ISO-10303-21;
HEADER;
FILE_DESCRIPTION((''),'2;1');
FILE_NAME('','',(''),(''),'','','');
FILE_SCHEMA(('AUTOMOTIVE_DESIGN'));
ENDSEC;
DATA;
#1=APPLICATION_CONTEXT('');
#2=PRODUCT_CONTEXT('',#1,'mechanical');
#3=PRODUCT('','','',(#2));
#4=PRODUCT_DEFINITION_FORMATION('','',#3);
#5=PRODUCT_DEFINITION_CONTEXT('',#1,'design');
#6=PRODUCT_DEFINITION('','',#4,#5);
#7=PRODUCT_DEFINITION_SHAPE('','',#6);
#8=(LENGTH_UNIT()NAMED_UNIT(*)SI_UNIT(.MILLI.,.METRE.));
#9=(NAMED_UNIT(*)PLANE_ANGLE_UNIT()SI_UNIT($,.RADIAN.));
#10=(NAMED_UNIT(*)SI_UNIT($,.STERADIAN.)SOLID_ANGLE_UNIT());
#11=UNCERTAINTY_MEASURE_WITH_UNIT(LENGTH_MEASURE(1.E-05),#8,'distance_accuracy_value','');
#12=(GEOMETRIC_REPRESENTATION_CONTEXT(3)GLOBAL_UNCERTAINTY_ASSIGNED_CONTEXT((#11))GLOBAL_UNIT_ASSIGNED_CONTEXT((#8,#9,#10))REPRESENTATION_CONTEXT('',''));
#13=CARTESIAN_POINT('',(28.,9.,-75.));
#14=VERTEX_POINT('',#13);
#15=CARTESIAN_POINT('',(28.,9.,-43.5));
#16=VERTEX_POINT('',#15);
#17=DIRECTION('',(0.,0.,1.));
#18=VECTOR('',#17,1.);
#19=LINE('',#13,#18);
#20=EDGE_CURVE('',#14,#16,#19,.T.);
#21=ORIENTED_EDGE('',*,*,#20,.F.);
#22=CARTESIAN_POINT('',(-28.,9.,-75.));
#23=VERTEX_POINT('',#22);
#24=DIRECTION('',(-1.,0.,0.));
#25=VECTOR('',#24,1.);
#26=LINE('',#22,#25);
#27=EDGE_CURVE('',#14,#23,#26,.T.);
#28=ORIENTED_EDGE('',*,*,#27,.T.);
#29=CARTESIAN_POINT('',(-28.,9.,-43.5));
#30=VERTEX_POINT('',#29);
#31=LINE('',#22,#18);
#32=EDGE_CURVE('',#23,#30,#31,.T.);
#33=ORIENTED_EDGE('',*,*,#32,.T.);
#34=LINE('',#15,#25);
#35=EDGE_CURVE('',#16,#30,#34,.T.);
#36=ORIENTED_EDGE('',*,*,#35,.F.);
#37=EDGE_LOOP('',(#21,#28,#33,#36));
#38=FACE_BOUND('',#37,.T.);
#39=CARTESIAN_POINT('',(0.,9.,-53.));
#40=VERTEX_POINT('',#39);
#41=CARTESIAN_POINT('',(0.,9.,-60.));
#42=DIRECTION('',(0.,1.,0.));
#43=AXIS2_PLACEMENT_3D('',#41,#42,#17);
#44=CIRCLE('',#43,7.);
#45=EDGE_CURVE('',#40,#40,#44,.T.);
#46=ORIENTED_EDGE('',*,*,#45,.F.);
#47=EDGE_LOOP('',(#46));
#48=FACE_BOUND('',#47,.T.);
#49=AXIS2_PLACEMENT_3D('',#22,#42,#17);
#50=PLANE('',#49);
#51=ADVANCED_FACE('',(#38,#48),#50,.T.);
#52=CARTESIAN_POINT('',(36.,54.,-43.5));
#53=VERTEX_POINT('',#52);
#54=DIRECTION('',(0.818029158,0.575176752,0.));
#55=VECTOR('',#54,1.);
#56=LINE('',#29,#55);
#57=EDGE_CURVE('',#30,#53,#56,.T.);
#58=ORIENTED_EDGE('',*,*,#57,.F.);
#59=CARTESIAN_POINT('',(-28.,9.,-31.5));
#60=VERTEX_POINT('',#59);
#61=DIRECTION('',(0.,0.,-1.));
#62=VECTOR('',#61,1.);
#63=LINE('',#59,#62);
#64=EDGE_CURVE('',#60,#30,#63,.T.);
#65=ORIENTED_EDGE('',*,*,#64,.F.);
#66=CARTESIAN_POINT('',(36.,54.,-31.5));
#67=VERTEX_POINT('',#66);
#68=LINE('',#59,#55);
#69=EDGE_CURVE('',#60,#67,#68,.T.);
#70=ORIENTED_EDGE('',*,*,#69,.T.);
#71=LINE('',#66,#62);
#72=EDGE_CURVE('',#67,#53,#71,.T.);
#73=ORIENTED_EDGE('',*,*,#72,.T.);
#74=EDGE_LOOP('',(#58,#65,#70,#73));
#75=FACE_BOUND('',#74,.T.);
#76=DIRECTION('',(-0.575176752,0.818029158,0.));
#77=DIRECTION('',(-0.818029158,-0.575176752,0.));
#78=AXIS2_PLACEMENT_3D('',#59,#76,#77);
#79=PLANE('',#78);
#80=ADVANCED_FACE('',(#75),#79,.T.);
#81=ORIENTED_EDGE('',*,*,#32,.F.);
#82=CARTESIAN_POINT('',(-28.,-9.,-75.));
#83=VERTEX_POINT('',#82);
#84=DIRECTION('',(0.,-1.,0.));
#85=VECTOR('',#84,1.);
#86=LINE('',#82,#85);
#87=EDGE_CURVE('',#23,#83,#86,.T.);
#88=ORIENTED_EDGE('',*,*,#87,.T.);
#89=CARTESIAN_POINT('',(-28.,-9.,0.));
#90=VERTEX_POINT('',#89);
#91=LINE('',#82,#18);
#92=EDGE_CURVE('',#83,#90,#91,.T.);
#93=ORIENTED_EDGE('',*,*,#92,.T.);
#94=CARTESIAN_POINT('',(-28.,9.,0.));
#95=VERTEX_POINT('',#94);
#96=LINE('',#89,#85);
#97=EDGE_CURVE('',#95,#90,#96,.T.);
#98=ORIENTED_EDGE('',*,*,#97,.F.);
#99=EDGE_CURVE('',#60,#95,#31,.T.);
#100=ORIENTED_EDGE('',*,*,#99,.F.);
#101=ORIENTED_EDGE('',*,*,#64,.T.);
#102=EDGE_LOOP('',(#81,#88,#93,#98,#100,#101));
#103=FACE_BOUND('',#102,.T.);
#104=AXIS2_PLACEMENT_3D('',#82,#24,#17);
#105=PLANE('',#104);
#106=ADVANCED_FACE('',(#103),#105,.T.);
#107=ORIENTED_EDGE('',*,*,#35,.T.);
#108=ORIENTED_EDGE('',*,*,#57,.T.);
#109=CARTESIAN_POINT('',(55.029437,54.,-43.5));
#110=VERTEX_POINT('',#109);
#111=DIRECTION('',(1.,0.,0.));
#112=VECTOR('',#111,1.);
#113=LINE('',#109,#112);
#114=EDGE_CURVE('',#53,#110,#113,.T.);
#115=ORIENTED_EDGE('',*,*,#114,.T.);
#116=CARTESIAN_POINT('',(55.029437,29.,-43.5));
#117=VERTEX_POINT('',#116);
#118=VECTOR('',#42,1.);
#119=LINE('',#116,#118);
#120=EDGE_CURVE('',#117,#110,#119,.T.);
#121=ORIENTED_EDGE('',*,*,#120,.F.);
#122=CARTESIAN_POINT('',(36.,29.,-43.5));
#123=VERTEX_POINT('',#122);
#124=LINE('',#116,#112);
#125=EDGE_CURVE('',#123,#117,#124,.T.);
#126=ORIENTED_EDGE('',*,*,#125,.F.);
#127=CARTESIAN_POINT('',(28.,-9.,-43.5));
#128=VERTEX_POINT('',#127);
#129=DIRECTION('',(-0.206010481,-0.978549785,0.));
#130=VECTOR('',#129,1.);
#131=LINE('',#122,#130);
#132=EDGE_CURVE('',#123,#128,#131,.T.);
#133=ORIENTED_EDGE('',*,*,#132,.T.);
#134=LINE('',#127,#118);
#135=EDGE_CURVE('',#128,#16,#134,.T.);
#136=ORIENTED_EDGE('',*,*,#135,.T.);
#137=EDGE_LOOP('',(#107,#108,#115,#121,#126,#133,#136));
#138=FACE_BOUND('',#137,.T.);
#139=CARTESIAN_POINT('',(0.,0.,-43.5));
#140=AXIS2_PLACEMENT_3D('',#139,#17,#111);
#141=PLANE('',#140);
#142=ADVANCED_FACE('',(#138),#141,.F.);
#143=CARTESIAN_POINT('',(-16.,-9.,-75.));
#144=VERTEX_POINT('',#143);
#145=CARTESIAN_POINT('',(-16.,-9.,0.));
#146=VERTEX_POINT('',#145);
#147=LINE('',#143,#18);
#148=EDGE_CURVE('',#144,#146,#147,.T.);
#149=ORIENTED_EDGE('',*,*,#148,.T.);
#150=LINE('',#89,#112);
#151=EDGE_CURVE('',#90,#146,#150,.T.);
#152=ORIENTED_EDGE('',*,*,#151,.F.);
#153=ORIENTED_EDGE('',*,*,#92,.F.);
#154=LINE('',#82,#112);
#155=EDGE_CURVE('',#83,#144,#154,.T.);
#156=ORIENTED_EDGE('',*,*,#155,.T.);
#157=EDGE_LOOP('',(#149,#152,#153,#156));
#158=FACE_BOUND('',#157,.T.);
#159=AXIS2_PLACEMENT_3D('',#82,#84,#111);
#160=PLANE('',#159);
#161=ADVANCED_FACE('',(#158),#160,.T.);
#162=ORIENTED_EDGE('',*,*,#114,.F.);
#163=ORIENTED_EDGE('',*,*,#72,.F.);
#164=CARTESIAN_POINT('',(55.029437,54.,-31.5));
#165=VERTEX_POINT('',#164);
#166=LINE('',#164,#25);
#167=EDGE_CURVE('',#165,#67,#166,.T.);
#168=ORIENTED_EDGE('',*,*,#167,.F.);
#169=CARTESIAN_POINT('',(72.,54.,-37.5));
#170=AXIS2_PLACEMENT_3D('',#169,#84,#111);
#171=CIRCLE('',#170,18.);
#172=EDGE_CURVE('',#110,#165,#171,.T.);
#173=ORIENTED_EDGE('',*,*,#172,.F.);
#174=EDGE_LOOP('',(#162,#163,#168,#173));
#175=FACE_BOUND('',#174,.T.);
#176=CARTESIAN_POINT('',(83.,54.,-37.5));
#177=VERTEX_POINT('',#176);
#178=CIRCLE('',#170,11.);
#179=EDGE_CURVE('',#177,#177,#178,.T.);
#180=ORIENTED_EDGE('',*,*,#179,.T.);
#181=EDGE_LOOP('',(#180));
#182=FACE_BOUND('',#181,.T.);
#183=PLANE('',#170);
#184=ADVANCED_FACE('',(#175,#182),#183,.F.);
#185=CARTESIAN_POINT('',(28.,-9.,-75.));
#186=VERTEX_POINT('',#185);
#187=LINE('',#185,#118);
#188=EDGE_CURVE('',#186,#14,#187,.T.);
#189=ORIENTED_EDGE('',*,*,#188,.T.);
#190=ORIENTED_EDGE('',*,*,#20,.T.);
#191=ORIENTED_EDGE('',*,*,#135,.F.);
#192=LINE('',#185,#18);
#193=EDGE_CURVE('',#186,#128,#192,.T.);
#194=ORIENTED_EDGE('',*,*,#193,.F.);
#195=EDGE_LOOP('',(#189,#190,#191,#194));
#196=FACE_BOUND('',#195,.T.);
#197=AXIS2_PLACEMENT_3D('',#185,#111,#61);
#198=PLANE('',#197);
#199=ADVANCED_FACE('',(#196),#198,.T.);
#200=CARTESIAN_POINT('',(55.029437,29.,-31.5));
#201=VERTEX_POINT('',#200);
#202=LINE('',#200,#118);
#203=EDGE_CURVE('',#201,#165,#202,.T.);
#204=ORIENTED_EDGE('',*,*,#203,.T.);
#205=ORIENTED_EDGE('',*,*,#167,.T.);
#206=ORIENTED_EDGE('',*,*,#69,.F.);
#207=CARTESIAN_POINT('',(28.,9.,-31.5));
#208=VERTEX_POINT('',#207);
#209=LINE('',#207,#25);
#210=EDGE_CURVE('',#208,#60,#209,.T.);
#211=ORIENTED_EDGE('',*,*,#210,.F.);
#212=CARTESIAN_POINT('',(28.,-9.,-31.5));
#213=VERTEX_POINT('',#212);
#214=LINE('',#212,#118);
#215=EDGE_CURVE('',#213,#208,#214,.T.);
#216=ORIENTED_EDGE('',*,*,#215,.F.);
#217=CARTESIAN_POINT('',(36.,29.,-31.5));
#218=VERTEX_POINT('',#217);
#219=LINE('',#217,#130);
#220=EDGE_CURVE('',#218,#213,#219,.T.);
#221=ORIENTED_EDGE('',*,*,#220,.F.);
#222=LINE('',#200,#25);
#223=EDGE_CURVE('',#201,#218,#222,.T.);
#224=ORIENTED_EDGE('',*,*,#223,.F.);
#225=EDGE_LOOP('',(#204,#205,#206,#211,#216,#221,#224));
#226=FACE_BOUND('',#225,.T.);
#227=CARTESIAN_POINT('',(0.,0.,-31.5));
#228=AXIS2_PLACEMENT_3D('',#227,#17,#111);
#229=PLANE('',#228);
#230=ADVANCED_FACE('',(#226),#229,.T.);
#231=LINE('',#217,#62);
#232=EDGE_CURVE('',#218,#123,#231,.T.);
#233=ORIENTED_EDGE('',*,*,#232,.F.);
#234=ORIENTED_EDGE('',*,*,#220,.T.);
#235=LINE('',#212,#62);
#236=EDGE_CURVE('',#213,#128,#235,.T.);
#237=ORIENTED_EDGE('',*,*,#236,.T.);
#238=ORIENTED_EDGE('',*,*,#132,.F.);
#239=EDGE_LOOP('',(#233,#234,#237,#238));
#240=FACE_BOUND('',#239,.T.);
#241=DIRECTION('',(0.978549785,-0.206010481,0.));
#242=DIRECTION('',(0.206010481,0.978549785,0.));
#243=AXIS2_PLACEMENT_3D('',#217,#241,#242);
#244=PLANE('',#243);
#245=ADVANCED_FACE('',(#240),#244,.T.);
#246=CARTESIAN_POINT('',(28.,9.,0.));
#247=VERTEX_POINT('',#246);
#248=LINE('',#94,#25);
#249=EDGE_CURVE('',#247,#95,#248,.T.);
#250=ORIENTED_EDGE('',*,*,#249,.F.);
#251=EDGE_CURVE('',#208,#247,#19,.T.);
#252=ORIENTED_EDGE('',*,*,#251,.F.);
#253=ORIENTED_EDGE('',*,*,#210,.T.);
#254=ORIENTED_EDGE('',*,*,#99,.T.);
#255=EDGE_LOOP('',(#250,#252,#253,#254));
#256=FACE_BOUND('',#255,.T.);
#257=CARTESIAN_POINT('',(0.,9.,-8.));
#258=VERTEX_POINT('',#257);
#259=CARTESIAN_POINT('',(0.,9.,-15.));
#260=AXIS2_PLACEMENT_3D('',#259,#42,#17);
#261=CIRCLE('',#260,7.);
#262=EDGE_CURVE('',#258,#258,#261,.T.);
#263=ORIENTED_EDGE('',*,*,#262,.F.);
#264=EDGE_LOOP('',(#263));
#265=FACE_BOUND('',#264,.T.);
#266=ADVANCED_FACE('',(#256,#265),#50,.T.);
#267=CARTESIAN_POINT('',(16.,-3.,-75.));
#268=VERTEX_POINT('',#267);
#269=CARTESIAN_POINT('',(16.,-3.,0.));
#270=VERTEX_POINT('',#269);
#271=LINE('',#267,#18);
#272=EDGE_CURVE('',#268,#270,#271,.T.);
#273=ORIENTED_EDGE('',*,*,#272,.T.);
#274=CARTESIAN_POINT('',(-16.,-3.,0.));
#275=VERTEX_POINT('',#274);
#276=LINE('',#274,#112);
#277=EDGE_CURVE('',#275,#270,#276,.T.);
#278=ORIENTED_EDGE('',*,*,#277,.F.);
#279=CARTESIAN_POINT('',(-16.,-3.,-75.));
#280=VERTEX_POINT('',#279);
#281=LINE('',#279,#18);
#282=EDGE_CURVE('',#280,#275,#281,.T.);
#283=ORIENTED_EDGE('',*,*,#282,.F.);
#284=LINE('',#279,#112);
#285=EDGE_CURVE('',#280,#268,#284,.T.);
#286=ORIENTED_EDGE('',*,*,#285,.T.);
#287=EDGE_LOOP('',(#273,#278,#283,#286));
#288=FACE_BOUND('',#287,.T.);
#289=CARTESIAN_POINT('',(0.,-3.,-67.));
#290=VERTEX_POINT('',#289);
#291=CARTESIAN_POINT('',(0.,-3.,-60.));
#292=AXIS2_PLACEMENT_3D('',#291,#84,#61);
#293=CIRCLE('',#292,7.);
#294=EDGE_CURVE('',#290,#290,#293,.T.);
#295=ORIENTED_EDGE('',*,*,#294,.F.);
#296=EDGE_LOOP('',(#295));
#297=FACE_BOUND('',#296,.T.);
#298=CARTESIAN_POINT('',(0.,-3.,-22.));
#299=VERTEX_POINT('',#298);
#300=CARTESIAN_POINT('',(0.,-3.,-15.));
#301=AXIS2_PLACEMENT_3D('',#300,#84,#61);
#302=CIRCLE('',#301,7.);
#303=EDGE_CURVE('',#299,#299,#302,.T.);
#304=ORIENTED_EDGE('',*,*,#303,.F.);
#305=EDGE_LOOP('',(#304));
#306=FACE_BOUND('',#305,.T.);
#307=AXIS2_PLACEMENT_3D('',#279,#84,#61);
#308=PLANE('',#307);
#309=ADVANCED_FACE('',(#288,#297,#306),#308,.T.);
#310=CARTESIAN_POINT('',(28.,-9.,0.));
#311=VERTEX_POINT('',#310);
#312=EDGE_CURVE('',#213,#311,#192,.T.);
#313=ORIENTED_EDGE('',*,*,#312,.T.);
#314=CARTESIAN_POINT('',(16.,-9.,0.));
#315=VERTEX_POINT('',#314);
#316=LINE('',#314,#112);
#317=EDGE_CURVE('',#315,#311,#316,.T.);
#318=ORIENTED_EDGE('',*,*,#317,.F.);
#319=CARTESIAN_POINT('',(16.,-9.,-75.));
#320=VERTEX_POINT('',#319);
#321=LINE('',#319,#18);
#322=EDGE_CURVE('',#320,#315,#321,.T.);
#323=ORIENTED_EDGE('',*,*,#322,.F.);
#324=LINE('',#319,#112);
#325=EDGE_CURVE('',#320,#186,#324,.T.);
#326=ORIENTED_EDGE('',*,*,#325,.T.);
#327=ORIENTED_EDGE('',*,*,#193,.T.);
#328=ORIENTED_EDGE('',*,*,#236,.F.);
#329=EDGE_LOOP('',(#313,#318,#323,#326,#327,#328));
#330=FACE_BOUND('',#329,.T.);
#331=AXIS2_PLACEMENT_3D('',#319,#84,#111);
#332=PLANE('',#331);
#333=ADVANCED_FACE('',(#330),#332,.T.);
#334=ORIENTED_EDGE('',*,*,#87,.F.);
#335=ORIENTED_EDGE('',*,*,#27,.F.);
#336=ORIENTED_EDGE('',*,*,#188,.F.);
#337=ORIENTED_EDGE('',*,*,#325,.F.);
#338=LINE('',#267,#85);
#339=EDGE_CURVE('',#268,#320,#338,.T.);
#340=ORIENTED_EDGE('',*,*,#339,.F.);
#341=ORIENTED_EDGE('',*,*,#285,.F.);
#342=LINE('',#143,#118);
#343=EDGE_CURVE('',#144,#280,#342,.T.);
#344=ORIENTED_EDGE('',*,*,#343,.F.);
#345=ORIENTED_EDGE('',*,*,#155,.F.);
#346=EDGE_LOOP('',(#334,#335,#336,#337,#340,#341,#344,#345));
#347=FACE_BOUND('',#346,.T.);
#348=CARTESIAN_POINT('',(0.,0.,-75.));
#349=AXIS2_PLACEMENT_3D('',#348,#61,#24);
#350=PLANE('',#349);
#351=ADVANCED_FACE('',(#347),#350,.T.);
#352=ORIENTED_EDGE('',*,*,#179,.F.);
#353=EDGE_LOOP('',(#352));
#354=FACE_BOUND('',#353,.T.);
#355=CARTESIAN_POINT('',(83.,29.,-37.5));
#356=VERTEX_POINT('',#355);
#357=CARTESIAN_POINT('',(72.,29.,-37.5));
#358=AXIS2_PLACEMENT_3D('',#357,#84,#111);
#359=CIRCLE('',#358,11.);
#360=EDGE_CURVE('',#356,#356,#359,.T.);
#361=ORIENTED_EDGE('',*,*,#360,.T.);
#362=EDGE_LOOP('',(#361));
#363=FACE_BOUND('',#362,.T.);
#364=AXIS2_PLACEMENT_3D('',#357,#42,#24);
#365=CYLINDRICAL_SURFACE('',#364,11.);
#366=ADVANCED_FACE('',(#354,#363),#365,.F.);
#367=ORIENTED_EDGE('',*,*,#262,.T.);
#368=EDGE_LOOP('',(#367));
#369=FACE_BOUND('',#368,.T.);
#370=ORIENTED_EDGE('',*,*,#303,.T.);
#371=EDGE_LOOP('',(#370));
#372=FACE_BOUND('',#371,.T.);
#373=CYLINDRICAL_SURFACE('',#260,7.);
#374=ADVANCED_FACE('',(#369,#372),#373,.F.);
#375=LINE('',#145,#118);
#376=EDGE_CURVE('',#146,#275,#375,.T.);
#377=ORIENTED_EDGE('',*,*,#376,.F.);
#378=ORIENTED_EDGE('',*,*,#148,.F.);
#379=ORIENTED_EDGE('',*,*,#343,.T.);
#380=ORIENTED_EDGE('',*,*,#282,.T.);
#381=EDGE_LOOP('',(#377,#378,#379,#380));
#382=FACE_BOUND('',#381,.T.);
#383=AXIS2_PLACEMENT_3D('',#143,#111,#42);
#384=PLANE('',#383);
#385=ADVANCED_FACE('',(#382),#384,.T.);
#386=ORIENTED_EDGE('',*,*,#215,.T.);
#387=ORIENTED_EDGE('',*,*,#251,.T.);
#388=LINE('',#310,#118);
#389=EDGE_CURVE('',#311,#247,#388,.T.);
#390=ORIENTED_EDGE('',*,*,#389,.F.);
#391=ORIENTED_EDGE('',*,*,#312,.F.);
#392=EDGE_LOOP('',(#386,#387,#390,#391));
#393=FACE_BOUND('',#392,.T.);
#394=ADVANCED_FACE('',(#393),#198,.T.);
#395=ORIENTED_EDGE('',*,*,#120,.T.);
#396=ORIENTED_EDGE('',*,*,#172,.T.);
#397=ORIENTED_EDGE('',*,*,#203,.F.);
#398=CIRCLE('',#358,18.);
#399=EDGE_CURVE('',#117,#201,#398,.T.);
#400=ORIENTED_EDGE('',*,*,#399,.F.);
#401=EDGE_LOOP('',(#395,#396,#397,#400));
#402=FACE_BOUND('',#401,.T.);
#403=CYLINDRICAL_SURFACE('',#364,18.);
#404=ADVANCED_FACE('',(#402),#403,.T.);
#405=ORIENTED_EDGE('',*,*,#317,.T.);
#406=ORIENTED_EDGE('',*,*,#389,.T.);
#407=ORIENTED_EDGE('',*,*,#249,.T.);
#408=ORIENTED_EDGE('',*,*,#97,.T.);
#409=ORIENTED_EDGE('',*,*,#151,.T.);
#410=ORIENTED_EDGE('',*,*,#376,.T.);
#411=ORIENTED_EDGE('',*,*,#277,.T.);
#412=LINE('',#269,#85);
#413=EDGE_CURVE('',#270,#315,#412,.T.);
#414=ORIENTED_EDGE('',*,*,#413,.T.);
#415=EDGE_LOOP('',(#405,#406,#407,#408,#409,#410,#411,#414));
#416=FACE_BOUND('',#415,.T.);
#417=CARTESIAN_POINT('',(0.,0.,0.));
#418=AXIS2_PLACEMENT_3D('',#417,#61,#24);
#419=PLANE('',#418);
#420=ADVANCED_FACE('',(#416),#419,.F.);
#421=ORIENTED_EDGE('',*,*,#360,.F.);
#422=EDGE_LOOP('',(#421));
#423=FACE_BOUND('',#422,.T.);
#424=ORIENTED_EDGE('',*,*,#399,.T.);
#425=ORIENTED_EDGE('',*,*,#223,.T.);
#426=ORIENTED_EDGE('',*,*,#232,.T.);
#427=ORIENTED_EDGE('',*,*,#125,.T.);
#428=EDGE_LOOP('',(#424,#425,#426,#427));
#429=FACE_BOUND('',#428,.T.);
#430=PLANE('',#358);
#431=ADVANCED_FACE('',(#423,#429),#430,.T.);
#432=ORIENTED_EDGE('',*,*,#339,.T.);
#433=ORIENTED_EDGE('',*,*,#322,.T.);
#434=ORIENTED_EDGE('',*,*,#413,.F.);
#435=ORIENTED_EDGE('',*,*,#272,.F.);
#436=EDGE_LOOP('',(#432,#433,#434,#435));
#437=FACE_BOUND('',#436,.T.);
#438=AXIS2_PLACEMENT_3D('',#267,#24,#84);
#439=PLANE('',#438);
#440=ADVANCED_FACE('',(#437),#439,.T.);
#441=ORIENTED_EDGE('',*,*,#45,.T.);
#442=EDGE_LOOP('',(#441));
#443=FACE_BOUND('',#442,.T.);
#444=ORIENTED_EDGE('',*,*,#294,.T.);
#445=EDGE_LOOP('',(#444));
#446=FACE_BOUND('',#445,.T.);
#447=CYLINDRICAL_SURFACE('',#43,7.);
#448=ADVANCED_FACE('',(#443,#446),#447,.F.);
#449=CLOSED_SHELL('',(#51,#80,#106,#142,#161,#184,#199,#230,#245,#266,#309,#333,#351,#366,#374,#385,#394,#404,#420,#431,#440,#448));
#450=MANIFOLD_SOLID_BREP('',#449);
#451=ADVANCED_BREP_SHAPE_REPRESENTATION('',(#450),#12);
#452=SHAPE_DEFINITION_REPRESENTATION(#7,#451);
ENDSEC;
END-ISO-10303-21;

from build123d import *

# Parameters (mm, degrees)
BOSS_EXTRUDE1_DEPTH    = 75
SKETCH9_R              = 11
BOSS_EXTRUDE3_DEPTH    = 25
BOSS_EXTRUDE4_DEPTH    = 6
F_12_0MM_DOWEL_HOLE1_D = 14


with BuildPart() as part:
    # Sketch1 → Boss-Extrude1 (new body)
    with BuildSketch(Plane.XY):
        Polygon((-16, -9), (-16, -3), (16, -3), (16, -9), (28, -9), (28, 9), (-28, 9), (-28, -9), align=None)
    extrude(amount=-BOSS_EXTRUDE1_DEPTH)



with BuildPart() as body_2:
    # Sketch9 → Boss-Extrude3 (new body)
    with BuildSketch(Plane(origin=(0, 54, 0), x_dir=(-1, 0, 0), z_dir=(0, -1, 0))):
        with BuildLine():
            Line((-55.029437252, 43.5), (-36, 43.5))
            Line((-36, 43.5), (-36, 31.5))
            Line((-36, 31.5), (-55.029437252, 31.5))
            ThreePointArc((-55.029437252, 31.5), (-90, 37.5), (-55.029437252, 43.5))
        make_face()
        with Locations(Location((-72, 37.5, 0), (0, 0, 180))):
            Circle(SKETCH9_R, mode=Mode.SUBTRACT)
    extrude(amount=BOSS_EXTRUDE3_DEPTH)


with BuildPart() as part_1:
    add(part.part)

    add(body_2.part)  # Boss-Extrude4 merges body 2
    # Sketch11 → Boss-Extrude4 (add, symmetric)
    with BuildSketch(Plane.XY.offset(-37.5)):
        Polygon((36, 29), (28, -9), (28, 9), (-28, 9), (36, 54), align=None)
    extrude(amount=BOSS_EXTRUDE4_DEPTH, both=True)

    # Ø12.0mm Dowel Hole1 (through all)
    with Locations(Plane(origin=(0, 9, 0), x_dir=(1, 0, 0), z_dir=(0, 1, 0))):
        with Locations((0, 15), (0, 60)):
            Hole(F_12_0MM_DOWEL_HOLE1_D / 2)


solid = part_1.part
